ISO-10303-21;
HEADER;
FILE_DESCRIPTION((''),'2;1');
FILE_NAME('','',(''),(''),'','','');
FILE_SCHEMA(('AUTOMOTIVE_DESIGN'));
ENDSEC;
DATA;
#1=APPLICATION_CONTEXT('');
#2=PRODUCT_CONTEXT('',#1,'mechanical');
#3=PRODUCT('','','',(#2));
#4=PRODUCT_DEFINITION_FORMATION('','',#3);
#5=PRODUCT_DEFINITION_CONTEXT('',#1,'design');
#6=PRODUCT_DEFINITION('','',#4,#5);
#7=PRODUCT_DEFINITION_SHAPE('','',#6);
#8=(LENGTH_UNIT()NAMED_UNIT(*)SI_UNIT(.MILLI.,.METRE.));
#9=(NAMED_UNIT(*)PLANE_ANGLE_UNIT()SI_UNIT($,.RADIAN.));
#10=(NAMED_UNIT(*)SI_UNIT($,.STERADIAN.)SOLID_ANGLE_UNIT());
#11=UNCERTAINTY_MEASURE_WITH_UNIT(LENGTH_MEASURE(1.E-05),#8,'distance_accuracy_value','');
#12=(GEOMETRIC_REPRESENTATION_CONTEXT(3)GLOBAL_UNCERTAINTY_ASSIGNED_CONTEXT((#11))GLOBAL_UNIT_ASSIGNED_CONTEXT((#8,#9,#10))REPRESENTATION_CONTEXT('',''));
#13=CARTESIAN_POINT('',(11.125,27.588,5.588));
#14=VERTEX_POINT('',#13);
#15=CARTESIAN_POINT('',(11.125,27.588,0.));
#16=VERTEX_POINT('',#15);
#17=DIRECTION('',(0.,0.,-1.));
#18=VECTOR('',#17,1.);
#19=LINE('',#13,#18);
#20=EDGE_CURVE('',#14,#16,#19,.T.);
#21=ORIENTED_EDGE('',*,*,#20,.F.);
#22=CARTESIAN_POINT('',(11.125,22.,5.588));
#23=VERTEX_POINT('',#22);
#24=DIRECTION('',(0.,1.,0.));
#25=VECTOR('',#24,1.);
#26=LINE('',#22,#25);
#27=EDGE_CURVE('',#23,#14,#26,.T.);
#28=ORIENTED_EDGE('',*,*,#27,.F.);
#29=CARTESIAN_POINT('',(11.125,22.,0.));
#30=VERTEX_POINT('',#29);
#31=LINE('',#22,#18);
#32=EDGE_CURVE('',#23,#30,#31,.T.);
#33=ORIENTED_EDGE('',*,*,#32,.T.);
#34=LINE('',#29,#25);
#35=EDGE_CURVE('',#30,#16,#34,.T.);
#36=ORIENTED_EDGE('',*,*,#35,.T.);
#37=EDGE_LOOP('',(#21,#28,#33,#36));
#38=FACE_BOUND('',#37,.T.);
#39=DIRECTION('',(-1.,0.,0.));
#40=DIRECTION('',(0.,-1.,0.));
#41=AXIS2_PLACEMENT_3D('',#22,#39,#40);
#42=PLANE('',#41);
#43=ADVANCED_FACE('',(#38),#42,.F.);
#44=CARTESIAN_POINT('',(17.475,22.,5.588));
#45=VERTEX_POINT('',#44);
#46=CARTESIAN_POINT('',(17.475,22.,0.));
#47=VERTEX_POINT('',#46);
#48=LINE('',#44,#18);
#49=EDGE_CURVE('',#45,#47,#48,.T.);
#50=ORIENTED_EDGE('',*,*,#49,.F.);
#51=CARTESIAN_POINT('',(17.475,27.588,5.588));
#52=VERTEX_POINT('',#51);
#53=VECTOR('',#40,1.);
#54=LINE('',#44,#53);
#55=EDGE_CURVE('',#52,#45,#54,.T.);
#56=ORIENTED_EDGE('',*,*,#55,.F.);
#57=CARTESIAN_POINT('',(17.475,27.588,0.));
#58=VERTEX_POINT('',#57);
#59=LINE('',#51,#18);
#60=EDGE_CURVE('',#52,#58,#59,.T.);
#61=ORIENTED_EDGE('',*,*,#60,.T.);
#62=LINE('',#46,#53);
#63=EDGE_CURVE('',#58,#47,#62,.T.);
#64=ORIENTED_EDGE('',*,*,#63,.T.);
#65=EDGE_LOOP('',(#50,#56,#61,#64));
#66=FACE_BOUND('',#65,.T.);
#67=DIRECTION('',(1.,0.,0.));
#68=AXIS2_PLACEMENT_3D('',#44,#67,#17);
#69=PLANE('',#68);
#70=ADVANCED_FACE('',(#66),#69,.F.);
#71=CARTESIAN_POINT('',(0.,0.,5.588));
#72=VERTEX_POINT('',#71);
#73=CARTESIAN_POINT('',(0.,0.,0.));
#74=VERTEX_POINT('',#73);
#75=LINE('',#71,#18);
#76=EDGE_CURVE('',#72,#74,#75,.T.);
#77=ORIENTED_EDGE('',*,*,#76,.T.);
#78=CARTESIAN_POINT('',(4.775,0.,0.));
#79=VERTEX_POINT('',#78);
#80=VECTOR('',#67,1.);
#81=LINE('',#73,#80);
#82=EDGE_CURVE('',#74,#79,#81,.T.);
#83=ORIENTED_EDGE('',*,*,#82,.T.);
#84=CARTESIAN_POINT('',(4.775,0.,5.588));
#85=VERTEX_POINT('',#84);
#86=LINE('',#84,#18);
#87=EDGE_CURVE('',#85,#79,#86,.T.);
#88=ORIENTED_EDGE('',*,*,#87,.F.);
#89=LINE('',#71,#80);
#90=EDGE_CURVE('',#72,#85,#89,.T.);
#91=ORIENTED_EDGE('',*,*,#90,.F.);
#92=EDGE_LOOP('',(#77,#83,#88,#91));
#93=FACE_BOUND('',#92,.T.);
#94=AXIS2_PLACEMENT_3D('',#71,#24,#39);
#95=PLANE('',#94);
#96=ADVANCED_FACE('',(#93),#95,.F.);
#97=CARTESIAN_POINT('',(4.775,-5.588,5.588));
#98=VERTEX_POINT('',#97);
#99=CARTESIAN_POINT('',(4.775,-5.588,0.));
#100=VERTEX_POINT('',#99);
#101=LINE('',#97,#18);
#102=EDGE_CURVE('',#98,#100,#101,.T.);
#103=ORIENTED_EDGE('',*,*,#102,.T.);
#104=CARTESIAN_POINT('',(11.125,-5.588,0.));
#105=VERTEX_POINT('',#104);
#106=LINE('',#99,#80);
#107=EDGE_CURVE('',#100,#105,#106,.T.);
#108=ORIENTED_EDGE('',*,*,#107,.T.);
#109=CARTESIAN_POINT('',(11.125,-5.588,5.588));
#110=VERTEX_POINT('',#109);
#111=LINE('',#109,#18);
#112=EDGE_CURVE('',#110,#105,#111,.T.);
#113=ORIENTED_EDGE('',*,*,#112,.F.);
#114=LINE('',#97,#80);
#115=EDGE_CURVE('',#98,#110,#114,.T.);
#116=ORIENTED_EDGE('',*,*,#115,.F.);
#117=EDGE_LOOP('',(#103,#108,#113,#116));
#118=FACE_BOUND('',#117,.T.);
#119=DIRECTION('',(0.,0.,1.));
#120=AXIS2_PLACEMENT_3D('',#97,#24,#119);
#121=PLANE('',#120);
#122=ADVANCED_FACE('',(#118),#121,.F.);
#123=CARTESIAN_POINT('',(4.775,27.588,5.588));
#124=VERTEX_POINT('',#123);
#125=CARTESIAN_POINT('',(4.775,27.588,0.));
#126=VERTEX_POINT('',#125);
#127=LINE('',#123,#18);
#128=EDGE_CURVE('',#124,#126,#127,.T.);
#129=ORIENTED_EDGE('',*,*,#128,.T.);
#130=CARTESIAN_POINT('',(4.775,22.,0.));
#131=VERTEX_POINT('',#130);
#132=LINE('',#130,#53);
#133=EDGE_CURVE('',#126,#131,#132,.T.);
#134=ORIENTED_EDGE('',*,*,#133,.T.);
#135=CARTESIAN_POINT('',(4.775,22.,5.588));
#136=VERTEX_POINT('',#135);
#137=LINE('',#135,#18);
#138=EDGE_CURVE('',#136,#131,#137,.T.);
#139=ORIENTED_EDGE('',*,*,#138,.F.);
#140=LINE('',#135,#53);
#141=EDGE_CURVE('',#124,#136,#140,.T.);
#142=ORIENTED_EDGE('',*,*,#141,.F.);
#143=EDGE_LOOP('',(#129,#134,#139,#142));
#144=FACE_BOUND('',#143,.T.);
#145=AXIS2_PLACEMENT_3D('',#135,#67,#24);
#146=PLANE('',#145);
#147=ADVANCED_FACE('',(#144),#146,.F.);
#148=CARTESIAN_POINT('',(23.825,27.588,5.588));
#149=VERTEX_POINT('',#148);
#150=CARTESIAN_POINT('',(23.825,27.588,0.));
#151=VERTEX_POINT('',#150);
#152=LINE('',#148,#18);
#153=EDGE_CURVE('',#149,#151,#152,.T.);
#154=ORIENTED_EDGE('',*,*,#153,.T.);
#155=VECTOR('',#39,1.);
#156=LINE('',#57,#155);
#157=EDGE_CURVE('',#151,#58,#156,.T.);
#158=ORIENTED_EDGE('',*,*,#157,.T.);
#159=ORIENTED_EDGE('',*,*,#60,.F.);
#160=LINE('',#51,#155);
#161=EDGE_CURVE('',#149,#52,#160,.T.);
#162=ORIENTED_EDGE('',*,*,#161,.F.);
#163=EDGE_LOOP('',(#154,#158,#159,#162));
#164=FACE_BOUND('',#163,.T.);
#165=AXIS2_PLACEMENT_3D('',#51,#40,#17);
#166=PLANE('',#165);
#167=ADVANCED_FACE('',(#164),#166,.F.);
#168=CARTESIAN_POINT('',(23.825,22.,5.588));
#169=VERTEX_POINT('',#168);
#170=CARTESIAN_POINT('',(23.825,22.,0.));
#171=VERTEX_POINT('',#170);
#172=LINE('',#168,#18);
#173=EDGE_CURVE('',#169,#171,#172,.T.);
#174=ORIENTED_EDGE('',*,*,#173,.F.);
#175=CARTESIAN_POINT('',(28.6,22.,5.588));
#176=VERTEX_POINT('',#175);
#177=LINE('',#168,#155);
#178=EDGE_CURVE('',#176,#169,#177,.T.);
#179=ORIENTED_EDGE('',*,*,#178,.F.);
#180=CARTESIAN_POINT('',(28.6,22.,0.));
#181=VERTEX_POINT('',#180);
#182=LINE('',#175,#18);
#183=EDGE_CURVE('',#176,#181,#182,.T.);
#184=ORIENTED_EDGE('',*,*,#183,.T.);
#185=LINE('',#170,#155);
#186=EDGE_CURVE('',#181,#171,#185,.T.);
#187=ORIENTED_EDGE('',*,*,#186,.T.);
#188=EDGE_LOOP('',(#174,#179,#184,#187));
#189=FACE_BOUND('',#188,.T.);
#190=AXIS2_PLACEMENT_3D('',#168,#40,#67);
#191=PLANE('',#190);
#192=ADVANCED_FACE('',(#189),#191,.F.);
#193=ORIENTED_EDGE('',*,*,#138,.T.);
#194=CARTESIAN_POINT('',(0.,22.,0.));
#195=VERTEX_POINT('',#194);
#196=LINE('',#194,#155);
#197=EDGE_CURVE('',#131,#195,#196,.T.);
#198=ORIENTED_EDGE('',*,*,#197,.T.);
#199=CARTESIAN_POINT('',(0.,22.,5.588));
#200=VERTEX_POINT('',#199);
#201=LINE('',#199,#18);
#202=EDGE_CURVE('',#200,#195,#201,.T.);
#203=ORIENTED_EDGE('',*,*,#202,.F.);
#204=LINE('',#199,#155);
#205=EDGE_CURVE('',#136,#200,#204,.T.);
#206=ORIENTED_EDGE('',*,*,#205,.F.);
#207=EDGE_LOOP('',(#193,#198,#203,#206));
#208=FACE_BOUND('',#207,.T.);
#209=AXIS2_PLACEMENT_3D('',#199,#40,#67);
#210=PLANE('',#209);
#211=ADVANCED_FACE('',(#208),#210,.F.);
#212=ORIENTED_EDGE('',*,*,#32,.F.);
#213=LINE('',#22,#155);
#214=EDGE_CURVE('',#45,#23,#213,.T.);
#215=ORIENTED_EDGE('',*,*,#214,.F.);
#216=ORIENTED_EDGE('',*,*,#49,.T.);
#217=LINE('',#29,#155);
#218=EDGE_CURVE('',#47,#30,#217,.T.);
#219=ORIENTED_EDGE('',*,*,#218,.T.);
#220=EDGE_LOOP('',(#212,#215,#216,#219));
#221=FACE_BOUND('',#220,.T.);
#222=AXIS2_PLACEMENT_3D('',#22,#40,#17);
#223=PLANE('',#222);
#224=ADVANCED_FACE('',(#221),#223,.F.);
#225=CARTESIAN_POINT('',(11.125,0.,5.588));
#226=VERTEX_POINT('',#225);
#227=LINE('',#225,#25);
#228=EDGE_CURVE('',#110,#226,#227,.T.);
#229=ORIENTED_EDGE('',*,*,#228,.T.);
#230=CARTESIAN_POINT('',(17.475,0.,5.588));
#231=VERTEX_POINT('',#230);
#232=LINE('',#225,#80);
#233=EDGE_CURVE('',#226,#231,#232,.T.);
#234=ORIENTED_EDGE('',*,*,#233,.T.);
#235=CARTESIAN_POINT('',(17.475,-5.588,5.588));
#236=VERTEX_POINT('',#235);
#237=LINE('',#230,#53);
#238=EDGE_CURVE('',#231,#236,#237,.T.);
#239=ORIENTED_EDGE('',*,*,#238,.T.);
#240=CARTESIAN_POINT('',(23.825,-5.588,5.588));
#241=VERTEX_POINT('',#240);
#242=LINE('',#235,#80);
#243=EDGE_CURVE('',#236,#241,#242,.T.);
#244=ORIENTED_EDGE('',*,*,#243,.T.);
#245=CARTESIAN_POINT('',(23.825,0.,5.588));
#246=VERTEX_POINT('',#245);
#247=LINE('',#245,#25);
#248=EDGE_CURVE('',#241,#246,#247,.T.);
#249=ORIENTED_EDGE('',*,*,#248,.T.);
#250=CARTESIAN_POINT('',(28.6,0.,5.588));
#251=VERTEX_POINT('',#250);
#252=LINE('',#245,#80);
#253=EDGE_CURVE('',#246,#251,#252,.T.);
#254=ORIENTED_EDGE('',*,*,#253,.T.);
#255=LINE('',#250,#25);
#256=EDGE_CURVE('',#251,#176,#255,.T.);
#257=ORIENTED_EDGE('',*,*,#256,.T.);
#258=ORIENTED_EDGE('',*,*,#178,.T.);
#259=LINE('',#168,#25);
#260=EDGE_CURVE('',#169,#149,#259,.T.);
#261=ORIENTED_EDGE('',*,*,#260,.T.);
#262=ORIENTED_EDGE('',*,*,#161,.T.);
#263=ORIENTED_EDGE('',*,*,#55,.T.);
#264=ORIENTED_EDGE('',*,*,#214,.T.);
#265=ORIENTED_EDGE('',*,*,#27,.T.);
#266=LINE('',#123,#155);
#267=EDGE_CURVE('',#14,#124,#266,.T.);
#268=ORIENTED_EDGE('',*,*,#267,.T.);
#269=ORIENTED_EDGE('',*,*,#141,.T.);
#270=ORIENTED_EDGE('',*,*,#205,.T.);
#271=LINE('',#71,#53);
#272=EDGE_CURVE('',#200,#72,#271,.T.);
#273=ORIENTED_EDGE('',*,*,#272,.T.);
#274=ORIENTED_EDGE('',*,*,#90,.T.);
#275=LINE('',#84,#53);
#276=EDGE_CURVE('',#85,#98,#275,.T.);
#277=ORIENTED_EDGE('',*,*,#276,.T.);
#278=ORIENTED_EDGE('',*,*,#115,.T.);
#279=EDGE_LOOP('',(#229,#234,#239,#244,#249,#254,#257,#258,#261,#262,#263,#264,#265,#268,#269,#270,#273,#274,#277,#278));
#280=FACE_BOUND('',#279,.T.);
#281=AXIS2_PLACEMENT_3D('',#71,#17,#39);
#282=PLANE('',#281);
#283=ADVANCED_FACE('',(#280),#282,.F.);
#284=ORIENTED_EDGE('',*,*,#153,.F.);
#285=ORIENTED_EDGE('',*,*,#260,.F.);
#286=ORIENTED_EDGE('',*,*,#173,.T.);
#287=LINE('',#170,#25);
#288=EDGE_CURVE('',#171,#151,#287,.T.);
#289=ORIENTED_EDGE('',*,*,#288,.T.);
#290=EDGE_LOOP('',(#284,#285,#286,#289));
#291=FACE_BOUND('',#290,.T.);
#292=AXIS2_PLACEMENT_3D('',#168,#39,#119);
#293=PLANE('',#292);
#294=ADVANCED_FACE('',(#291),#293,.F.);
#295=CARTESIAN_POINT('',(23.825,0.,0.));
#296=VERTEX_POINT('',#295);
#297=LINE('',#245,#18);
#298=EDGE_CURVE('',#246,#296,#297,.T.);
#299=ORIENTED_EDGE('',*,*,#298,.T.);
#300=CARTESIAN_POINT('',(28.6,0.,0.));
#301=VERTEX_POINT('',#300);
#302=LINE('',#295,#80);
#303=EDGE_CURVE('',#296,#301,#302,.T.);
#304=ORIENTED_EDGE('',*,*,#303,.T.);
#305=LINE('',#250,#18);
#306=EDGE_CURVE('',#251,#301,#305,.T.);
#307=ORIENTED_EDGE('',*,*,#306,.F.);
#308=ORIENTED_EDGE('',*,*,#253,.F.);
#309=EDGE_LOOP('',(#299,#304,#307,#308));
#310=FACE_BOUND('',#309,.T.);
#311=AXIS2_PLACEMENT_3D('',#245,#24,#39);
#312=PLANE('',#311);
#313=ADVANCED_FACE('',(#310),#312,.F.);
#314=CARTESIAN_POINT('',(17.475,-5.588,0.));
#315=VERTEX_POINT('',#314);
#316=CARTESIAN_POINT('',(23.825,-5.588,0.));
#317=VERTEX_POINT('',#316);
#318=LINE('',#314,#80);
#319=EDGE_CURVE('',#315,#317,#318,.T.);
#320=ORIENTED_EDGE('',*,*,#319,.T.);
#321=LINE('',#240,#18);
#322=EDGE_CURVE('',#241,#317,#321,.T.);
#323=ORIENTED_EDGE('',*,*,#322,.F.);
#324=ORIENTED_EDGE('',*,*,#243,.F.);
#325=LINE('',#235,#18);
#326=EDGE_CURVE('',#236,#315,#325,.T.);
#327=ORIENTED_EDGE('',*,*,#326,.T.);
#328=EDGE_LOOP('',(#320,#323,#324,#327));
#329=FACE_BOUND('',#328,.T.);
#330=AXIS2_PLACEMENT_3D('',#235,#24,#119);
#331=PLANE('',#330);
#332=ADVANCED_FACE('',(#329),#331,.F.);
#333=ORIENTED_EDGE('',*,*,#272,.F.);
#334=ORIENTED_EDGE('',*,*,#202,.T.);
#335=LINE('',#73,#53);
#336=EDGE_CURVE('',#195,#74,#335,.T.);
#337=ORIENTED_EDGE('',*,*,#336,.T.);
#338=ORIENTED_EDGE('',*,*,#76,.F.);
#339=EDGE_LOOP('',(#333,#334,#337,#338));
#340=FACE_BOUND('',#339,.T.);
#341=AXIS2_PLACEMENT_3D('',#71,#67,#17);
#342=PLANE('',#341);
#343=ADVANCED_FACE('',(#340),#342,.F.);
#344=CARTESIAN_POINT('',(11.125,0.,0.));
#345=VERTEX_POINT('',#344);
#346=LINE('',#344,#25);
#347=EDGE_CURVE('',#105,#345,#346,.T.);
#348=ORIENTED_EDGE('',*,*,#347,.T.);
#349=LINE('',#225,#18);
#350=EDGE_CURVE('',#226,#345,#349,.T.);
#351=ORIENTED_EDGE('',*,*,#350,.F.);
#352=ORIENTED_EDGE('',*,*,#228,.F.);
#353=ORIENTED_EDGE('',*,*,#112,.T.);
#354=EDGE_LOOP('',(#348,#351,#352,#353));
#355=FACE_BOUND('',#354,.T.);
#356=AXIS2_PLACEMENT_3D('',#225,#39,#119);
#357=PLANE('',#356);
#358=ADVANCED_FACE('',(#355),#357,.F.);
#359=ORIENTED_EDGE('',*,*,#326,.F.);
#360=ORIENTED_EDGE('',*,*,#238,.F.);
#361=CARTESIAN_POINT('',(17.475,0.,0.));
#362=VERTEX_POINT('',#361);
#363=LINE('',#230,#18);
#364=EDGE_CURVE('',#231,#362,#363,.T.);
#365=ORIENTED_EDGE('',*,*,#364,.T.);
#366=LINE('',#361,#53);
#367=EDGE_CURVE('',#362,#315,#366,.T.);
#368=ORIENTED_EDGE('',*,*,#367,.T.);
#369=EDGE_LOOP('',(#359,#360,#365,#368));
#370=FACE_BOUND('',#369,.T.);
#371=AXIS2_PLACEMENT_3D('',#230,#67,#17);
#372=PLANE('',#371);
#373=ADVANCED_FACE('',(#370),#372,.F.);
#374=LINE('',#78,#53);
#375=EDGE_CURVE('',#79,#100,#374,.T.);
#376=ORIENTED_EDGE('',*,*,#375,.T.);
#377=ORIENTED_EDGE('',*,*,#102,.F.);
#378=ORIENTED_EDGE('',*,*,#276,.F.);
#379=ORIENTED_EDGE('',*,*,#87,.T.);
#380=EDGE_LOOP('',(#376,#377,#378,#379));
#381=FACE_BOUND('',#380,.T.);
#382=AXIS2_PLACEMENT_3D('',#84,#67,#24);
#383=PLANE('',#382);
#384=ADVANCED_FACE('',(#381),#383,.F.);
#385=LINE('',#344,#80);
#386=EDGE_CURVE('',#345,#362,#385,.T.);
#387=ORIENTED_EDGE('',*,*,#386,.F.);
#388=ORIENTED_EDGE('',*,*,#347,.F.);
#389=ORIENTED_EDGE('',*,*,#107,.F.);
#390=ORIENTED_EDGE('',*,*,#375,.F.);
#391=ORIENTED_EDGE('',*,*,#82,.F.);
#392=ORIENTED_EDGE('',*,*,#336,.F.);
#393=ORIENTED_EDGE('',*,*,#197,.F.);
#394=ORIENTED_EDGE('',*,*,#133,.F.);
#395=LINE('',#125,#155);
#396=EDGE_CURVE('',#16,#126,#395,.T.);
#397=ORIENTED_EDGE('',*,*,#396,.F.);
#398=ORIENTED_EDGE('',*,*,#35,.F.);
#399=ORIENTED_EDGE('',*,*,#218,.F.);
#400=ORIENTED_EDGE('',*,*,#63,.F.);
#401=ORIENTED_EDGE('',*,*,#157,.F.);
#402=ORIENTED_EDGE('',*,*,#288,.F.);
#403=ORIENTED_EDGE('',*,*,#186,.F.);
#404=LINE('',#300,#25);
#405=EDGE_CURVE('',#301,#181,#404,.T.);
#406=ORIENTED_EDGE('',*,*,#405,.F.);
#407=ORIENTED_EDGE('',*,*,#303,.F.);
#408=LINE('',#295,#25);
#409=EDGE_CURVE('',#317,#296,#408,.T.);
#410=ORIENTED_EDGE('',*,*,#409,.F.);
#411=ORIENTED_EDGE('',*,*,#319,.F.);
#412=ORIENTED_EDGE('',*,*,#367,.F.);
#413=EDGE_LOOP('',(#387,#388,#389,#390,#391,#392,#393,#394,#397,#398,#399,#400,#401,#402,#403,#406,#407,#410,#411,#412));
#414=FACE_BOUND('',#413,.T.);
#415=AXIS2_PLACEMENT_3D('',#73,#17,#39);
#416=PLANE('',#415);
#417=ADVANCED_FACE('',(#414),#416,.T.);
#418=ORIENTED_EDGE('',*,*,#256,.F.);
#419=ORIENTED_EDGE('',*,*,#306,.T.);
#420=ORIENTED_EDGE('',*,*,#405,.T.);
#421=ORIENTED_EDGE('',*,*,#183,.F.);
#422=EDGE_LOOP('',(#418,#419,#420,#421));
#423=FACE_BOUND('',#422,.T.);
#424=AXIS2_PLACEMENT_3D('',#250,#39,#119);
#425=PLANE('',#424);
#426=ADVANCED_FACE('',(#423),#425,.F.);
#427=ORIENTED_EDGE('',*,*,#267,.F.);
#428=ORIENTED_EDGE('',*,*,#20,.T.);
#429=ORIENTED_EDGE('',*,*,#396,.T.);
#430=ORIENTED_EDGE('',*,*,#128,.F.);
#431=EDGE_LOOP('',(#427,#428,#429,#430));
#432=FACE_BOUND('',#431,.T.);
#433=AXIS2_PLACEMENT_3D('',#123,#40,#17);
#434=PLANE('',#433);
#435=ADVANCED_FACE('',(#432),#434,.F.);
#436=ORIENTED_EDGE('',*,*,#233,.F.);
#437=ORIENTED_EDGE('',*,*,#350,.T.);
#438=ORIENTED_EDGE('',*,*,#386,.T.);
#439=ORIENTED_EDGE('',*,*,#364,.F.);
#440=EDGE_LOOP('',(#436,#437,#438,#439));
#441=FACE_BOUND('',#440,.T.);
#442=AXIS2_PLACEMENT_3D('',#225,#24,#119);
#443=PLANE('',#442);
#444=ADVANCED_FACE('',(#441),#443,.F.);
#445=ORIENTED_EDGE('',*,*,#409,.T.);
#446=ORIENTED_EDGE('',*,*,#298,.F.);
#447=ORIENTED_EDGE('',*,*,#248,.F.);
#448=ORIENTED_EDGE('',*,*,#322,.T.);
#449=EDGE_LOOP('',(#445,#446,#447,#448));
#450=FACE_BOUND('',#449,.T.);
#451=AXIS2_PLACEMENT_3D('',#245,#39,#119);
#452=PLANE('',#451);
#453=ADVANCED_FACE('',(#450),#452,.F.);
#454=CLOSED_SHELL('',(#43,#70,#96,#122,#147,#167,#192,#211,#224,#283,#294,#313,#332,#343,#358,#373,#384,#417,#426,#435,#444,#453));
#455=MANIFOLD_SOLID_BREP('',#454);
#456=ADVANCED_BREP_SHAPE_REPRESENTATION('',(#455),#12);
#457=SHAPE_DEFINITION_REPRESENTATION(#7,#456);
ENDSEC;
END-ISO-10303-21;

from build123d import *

# Parameters (mm, degrees)
BOSS_EXTRUDE1_DEPTH = 5.588


with BuildPart() as part:
    # Sketch1 → Boss-Extrude1 (new body)
    with BuildSketch(Plane.XY):
        Polygon((0, 0), (4.775, 0), (4.775, -5.588), (11.125, -5.588), (11.125, 0), (17.475, 0), (17.475, -5.588), (23.825, -5.588), (23.825, 0), (28.6, 0), (28.6, 22), (23.825, 22), (23.825, 27.588), (17.475, 27.588), (17.475, 22), (11.125, 22), (11.125, 27.588), (4.775, 27.588), (4.775, 22), (0, 22), align=None)
    extrude(amount=BOSS_EXTRUDE1_DEPTH)


solid = part.part
